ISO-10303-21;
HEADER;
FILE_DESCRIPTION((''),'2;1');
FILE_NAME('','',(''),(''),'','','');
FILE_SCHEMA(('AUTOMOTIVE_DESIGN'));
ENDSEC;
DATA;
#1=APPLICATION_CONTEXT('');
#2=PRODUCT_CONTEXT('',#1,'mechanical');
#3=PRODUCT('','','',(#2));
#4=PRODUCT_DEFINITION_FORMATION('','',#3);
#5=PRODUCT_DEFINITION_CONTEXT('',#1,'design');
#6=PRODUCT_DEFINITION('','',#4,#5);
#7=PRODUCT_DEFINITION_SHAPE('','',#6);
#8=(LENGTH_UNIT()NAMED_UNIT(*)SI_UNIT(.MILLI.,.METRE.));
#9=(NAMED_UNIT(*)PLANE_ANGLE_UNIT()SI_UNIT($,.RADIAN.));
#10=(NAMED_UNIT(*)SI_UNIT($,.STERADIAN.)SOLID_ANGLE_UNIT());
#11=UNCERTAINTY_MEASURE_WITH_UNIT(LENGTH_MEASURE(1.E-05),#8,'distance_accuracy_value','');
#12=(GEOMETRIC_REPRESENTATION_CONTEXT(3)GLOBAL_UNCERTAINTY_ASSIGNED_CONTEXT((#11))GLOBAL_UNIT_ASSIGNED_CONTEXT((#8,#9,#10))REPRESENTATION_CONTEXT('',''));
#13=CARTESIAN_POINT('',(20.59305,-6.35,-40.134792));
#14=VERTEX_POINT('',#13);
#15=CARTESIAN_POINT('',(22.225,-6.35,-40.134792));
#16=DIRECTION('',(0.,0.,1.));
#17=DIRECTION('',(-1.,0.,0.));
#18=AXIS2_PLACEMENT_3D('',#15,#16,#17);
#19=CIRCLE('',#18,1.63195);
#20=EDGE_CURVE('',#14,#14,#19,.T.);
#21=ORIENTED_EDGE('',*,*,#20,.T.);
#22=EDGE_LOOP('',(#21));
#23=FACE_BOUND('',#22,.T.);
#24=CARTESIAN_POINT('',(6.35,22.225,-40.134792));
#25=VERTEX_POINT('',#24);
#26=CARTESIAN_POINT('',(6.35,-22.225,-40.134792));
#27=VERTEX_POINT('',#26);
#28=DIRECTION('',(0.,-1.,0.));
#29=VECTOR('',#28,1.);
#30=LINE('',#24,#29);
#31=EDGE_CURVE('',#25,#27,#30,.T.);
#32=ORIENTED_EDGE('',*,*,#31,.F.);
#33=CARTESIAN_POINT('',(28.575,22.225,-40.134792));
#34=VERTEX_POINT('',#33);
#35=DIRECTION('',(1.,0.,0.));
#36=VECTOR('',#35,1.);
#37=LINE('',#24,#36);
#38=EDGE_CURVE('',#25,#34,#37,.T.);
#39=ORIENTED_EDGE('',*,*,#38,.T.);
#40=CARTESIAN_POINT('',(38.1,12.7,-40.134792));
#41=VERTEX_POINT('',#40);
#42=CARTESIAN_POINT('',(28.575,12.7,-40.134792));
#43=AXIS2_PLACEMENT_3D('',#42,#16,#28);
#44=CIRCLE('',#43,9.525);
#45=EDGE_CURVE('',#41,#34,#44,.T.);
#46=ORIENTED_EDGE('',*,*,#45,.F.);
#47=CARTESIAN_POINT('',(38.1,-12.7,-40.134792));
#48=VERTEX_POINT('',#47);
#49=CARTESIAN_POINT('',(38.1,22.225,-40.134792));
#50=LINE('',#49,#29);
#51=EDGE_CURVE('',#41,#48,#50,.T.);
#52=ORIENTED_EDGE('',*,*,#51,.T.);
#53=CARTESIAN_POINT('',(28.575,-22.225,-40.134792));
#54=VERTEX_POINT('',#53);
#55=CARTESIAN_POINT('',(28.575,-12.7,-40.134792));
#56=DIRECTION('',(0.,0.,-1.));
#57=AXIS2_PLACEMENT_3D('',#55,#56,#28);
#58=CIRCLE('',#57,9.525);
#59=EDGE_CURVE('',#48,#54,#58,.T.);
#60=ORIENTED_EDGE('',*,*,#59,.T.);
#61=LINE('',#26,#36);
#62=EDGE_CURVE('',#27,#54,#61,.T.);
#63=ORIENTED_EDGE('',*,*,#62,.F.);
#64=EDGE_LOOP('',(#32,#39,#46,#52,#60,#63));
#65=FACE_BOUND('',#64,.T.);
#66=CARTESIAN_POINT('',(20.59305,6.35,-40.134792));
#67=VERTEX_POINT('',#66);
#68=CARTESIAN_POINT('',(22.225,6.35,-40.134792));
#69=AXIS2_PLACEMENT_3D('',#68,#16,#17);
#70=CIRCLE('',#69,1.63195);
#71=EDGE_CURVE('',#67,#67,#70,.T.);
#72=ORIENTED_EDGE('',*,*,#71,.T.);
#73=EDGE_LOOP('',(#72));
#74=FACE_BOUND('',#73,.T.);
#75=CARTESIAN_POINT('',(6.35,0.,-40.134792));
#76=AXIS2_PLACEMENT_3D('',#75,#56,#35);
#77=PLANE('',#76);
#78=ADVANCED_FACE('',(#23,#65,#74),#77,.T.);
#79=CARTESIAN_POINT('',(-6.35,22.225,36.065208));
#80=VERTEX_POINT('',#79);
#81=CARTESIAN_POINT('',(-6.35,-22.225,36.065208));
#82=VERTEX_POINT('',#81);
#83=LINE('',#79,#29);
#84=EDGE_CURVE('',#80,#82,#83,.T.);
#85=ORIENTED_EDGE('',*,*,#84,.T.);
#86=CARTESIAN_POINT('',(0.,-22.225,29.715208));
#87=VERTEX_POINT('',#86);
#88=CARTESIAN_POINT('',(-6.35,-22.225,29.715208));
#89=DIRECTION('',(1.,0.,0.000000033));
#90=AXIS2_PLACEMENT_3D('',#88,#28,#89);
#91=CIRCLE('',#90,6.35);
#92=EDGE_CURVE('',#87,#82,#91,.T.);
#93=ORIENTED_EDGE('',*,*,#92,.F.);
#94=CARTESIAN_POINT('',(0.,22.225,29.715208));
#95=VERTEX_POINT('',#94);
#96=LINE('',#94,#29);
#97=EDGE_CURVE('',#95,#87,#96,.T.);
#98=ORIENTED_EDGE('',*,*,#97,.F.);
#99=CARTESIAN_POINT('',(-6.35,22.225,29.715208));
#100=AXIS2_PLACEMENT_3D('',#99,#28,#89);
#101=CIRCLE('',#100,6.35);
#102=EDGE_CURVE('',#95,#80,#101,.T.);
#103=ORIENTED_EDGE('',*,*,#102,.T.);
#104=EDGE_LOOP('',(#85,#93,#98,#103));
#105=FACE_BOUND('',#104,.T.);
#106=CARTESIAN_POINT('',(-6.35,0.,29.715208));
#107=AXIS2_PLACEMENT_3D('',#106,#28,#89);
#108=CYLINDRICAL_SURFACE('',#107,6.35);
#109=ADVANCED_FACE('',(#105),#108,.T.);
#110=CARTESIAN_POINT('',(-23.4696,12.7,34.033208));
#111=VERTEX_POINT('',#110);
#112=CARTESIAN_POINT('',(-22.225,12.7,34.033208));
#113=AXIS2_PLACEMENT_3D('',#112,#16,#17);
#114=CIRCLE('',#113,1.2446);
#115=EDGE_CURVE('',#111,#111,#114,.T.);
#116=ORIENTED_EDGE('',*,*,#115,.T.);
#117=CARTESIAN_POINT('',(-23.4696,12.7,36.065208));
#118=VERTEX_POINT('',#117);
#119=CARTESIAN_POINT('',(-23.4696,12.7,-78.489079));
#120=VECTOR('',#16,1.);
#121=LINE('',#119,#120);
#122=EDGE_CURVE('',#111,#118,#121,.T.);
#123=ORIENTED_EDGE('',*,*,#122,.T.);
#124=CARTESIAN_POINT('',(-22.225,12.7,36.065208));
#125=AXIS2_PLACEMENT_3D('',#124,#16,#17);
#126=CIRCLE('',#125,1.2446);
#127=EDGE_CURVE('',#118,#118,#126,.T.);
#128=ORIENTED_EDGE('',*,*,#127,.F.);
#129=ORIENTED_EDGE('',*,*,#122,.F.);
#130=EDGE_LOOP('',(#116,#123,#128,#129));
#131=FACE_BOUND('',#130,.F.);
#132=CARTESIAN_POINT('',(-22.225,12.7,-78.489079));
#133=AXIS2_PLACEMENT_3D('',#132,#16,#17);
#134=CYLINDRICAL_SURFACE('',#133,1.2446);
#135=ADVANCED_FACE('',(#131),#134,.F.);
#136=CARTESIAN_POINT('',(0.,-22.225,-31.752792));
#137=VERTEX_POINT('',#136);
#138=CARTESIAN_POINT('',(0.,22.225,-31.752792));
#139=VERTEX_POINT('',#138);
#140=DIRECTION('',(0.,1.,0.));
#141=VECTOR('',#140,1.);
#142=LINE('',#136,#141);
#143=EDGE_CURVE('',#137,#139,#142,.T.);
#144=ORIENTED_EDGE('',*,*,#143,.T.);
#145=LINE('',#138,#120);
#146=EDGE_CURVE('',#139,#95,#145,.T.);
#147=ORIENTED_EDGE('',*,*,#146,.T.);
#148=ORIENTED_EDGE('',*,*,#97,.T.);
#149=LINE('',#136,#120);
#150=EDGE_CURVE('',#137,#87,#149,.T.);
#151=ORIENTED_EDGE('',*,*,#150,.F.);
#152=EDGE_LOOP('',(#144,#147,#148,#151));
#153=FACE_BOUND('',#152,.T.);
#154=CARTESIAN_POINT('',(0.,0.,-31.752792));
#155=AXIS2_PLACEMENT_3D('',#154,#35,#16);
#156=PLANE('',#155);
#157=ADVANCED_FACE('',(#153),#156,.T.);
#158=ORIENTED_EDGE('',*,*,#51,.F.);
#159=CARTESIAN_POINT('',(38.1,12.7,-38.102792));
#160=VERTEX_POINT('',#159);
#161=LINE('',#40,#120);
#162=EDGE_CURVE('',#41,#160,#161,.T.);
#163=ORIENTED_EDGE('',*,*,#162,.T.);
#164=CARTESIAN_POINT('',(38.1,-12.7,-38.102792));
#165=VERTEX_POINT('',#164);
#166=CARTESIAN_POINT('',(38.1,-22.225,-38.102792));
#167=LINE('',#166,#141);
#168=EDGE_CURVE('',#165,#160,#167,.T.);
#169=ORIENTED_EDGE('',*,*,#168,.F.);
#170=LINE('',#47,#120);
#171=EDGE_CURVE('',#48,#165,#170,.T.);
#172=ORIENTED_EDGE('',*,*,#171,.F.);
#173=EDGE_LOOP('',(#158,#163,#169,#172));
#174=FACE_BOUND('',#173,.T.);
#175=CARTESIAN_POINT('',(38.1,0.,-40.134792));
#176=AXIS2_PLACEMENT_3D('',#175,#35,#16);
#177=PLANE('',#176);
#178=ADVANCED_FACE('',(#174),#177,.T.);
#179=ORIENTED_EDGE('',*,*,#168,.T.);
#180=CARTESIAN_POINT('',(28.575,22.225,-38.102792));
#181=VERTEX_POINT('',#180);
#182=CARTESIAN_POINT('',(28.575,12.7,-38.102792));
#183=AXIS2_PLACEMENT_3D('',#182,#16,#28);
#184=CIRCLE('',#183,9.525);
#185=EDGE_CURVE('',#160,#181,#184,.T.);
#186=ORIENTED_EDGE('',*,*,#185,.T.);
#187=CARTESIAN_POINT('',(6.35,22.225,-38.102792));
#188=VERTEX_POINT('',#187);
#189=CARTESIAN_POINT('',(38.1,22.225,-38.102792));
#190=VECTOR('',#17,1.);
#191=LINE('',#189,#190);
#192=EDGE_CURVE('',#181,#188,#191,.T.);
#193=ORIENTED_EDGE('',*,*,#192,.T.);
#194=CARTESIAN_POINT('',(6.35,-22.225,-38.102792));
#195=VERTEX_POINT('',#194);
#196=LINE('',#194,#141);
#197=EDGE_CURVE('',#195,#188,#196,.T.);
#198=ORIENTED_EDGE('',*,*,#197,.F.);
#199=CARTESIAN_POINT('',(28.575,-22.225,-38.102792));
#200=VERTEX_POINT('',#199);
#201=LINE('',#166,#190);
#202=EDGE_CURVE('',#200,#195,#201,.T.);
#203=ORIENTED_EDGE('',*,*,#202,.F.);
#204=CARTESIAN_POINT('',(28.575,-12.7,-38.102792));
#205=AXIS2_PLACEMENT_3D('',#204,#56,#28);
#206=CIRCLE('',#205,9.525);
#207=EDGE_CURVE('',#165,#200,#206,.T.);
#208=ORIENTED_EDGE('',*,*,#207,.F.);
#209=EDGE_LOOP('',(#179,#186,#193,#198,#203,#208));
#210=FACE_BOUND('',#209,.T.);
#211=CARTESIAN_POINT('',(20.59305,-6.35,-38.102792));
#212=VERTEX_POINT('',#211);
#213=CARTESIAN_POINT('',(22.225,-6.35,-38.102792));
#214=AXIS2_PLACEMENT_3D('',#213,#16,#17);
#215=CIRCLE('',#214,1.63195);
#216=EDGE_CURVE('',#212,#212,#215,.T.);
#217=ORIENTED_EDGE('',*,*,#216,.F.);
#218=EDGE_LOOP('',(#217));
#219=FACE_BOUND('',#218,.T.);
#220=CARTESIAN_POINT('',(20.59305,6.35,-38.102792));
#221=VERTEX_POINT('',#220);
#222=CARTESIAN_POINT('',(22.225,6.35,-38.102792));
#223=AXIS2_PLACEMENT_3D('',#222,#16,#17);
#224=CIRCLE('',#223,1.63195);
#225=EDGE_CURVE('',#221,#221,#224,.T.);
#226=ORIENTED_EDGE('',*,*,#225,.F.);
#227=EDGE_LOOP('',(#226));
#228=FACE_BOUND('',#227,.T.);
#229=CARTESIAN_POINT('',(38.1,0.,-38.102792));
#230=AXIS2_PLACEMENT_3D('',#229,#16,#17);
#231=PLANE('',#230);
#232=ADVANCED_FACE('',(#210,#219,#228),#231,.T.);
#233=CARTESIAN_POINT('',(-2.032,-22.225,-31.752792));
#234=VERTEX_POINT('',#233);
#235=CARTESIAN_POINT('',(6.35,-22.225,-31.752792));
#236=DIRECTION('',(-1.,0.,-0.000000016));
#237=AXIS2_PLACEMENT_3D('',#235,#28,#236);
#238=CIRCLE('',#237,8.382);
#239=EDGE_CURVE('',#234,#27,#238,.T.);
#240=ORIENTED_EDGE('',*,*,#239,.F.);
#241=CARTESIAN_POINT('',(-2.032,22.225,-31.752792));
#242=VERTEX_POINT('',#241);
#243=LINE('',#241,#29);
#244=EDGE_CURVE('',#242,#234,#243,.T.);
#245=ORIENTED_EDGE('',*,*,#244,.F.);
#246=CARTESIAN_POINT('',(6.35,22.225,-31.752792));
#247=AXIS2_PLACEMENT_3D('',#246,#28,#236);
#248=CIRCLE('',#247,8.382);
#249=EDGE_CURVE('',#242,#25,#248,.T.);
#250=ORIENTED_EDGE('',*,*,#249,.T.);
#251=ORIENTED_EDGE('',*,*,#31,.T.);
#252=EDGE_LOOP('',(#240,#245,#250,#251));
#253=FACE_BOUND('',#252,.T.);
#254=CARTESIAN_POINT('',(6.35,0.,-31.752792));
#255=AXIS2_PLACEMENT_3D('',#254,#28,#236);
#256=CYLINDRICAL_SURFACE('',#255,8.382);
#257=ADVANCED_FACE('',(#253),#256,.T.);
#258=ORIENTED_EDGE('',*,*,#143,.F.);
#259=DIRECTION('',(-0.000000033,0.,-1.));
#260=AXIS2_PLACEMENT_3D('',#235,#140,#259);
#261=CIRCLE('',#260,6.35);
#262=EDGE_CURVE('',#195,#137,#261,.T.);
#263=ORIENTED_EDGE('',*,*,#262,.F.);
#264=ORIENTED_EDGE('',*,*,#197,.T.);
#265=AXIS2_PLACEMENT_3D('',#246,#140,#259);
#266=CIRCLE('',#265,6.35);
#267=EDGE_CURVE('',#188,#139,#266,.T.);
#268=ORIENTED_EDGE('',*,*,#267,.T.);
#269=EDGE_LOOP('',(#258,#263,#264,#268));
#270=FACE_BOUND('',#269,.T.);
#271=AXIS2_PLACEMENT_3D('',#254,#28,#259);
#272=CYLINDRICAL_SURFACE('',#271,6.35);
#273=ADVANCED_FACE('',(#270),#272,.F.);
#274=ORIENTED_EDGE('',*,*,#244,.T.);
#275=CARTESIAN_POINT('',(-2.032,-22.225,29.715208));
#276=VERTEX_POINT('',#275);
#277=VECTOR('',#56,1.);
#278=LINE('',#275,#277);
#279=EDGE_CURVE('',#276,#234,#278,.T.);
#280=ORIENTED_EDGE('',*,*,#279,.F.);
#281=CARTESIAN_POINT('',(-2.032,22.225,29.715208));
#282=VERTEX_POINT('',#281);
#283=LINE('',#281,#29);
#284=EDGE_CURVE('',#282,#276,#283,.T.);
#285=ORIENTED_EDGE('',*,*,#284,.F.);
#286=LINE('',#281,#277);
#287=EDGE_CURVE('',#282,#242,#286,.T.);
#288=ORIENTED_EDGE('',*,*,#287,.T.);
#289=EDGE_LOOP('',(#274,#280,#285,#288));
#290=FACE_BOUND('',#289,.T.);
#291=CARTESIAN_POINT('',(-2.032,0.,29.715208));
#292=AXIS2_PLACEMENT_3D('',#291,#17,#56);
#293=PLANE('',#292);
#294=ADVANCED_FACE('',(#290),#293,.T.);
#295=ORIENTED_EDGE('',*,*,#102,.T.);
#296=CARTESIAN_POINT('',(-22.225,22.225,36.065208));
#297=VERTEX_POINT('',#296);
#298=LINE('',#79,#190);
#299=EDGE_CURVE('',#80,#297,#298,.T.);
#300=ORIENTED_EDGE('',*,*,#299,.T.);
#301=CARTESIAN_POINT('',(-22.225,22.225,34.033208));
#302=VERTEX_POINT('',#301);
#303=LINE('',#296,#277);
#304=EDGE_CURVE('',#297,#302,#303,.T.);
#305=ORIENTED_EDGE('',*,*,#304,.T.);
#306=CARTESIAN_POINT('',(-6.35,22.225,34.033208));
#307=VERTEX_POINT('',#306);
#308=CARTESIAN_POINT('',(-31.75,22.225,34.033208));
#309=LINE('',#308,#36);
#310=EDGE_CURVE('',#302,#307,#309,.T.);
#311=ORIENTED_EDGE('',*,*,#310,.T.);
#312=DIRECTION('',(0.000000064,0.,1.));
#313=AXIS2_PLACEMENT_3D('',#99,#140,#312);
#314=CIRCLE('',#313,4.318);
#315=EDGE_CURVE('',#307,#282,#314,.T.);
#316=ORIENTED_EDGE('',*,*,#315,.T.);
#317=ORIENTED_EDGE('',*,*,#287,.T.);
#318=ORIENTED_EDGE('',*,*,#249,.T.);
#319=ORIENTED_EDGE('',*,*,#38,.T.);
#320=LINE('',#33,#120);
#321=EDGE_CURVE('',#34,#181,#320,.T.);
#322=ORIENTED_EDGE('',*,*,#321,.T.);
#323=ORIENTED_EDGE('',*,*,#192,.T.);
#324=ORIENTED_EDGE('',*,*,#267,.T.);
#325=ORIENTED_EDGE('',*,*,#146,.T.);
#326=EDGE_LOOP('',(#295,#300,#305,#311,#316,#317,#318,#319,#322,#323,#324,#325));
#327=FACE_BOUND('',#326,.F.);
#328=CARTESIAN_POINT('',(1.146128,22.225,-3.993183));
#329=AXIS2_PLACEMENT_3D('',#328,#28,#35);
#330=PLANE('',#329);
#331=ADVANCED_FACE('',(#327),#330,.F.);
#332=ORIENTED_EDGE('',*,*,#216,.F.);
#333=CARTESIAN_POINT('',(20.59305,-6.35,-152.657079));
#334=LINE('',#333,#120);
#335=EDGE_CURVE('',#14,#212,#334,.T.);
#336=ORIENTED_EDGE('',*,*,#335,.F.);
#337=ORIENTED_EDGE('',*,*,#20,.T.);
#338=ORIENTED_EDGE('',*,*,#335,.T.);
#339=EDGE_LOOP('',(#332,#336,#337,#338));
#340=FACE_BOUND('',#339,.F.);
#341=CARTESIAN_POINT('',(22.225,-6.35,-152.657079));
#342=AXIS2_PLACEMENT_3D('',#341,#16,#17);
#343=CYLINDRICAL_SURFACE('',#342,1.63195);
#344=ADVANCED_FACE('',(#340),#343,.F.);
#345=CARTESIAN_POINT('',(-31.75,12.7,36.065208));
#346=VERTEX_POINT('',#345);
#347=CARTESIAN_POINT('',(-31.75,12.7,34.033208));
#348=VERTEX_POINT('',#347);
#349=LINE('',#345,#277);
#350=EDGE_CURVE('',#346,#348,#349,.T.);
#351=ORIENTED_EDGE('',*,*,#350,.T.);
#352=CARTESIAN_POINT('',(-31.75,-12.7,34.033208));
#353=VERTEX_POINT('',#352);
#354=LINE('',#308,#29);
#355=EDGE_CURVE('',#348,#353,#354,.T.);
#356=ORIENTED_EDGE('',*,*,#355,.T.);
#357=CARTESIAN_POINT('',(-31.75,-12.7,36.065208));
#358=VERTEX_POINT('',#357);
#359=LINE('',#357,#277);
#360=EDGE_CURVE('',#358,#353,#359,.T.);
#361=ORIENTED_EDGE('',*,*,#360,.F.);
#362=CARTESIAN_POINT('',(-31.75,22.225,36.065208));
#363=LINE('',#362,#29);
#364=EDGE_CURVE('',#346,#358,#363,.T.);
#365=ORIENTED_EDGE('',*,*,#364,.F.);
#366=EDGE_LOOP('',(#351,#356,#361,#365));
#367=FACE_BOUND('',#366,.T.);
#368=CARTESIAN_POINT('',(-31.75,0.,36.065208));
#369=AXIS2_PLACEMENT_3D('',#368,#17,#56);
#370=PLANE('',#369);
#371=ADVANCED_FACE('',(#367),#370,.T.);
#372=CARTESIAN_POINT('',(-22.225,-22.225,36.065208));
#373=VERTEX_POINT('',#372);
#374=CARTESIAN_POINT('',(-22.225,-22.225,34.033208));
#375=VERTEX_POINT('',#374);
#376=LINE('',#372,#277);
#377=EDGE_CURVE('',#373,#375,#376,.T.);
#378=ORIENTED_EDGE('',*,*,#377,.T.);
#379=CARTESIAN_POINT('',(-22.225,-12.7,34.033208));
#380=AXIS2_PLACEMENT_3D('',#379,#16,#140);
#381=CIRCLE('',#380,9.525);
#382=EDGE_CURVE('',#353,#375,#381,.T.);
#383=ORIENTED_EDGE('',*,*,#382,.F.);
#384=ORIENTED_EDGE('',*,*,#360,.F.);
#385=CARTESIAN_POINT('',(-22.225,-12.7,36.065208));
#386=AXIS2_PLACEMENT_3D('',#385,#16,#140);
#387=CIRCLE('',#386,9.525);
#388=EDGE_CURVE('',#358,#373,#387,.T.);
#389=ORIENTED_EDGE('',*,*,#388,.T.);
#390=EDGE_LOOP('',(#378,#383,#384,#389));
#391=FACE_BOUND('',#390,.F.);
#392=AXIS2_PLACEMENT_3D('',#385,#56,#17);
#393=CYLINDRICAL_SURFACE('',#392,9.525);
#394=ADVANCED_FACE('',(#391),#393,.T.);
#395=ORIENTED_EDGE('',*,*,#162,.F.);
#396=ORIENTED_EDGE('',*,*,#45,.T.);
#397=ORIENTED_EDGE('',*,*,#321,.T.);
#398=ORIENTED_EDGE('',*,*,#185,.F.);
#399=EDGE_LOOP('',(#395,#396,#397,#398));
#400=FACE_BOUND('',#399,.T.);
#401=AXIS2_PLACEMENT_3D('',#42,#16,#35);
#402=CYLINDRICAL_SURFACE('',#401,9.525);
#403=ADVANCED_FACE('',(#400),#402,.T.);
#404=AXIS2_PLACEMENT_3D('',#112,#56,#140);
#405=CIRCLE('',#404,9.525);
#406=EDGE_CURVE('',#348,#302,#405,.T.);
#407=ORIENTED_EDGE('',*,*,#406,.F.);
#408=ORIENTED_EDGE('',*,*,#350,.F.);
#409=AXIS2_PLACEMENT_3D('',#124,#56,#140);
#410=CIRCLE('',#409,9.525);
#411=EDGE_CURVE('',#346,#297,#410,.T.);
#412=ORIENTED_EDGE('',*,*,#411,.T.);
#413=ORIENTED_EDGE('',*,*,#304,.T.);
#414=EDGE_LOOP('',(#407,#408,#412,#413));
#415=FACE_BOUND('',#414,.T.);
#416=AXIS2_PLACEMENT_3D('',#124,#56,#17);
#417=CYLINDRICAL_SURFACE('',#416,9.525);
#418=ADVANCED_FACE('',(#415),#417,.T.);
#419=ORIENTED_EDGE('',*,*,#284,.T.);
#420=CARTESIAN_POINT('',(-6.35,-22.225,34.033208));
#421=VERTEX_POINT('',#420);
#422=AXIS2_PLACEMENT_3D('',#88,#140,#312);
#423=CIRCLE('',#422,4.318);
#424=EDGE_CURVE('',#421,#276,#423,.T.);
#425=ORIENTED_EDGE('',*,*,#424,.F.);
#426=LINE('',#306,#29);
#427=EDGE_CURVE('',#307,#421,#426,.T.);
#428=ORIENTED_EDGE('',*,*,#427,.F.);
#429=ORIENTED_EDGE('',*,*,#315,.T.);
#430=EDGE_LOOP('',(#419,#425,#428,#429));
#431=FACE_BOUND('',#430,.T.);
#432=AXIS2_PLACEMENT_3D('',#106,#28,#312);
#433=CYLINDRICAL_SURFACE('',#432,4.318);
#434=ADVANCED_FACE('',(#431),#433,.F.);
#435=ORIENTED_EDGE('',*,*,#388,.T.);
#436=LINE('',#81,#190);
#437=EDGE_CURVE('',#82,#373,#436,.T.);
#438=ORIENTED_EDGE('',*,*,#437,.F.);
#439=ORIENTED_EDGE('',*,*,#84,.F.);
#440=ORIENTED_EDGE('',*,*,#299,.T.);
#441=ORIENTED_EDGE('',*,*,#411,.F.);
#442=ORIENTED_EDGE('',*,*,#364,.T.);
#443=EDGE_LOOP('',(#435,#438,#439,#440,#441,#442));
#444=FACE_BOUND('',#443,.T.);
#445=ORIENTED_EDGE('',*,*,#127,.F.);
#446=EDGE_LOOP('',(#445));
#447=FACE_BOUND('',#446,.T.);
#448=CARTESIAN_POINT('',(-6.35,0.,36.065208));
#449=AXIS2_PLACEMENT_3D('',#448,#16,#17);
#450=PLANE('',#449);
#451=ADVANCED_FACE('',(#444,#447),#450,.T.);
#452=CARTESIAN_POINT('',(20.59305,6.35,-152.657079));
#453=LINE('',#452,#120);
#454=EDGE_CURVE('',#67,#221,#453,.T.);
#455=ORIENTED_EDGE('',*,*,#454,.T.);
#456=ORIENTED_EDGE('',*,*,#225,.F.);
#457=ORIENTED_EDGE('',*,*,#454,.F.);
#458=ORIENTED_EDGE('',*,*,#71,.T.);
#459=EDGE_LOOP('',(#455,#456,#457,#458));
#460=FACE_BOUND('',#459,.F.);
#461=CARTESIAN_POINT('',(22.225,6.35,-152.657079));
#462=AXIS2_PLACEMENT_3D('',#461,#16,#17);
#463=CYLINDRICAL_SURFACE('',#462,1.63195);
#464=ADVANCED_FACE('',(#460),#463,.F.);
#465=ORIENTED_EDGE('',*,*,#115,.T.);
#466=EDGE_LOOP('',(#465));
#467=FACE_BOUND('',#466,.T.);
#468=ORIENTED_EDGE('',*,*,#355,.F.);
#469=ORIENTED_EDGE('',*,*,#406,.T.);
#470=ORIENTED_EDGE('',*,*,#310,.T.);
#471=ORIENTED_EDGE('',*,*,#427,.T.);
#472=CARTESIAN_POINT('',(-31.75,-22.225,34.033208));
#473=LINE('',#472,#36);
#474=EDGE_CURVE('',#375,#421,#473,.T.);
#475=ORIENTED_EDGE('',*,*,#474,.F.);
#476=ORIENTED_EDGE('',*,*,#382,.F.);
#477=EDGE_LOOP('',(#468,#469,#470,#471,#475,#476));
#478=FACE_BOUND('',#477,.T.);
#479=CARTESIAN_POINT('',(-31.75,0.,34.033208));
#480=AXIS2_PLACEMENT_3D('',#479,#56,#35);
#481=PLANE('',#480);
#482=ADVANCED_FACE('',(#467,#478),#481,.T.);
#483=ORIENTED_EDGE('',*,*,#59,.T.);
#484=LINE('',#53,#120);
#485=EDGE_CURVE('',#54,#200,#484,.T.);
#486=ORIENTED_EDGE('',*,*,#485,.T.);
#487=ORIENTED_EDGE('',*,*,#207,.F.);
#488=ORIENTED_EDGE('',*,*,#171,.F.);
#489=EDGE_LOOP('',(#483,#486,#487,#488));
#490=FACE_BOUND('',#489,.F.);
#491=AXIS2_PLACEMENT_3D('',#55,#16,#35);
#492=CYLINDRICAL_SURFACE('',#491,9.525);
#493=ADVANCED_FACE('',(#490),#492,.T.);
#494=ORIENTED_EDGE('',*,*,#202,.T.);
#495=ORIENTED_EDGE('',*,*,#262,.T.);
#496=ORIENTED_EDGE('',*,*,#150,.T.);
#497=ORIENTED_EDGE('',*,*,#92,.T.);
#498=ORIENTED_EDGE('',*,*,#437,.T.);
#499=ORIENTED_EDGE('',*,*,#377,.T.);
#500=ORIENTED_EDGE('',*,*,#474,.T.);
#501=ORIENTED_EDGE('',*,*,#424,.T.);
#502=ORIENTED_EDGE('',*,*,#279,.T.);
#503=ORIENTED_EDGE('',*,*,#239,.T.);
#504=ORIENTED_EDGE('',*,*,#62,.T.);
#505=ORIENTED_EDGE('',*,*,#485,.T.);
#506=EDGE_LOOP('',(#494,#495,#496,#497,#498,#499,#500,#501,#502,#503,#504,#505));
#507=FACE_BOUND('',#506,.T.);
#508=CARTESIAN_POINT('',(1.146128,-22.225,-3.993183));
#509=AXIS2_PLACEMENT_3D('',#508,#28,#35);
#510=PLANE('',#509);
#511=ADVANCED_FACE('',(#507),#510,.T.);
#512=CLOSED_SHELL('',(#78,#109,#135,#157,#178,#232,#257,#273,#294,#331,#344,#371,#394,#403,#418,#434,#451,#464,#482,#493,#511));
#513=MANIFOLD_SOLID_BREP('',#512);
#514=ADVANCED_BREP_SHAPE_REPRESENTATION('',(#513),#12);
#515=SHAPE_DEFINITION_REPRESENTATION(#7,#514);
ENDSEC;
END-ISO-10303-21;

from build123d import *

# Parameters (mm, degrees)
F1_DEPTH      = 22.225
F1_DEPTH_BACK = 22.225
F2_R          = 9.525
F4_D          = 2.4892
F6_D          = 3.2639


with BuildPart() as f1:
    # F0 (on Front) → F1 (new body, two sides)
    with BuildSketch(Plane.XZ) as f1_sk:
        with BuildLine():
            Line((0, -31.752792), (0, 29.715208))
            ThreePointArc((0, 29.715208), (-1.859872, 34.205336), (-6.35, 36.065208))
            Line((-6.35, 36.065208), (-31.75, 36.065208))
            Line((-31.75, 36.065208), (-31.75, 34.033208))
            Line((-31.75, 34.033208), (-6.35, 34.033208))
            ThreePointArc((-6.35, 34.033208), (-3.296713, 32.768495), (-2.032, 29.715208))
            Line((-2.032, 29.715208), (-2.032, -31.752792))
            ThreePointArc((-2.032, -31.752792), (0.423031, -37.679761), (6.35, -40.134792))
            Line((6.35, -40.134792), (38.1, -40.134792))
            Line((38.1, -40.134792), (38.1, -38.102792))
            Line((38.1, -38.102792), (6.35, -38.102792))
            ThreePointArc((6.35, -38.102792), (1.859872, -36.24292), (0, -31.752792))
        make_face()
    extrude(amount=F1_DEPTH)
    extrude(f1_sk.sketch, amount=-F1_DEPTH_BACK)

    # F2
    f2_edges = [f1.edges().sort_by_distance(p)[0] for p in [
        (-31.75, -22.225, 35.049208),
        (-31.75, 22.225, 35.049208),
        (38.1, -22.225, -39.118792),
        (38.1, 22.225, -39.118792),
    ]]
    fillet(f2_edges, radius=F2_R)

    # F4 (through all)
    with Locations(Plane(origin=(0, 0, 34.033208), x_dir=(1, 0, 0), z_dir=(0, 0, -1))):
        with Locations((-22.225, -12.7)):
            Hole(F4_D / 2)

    # F6 (through all)
    with Locations(Plane(origin=(0, 0, -40.134792), x_dir=(1, 0, 0), z_dir=(0, 0, -1))):
        with Locations((22.225, 6.35), (22.225, -6.35)):
            Hole(F6_D / 2)


solid = f1.part
